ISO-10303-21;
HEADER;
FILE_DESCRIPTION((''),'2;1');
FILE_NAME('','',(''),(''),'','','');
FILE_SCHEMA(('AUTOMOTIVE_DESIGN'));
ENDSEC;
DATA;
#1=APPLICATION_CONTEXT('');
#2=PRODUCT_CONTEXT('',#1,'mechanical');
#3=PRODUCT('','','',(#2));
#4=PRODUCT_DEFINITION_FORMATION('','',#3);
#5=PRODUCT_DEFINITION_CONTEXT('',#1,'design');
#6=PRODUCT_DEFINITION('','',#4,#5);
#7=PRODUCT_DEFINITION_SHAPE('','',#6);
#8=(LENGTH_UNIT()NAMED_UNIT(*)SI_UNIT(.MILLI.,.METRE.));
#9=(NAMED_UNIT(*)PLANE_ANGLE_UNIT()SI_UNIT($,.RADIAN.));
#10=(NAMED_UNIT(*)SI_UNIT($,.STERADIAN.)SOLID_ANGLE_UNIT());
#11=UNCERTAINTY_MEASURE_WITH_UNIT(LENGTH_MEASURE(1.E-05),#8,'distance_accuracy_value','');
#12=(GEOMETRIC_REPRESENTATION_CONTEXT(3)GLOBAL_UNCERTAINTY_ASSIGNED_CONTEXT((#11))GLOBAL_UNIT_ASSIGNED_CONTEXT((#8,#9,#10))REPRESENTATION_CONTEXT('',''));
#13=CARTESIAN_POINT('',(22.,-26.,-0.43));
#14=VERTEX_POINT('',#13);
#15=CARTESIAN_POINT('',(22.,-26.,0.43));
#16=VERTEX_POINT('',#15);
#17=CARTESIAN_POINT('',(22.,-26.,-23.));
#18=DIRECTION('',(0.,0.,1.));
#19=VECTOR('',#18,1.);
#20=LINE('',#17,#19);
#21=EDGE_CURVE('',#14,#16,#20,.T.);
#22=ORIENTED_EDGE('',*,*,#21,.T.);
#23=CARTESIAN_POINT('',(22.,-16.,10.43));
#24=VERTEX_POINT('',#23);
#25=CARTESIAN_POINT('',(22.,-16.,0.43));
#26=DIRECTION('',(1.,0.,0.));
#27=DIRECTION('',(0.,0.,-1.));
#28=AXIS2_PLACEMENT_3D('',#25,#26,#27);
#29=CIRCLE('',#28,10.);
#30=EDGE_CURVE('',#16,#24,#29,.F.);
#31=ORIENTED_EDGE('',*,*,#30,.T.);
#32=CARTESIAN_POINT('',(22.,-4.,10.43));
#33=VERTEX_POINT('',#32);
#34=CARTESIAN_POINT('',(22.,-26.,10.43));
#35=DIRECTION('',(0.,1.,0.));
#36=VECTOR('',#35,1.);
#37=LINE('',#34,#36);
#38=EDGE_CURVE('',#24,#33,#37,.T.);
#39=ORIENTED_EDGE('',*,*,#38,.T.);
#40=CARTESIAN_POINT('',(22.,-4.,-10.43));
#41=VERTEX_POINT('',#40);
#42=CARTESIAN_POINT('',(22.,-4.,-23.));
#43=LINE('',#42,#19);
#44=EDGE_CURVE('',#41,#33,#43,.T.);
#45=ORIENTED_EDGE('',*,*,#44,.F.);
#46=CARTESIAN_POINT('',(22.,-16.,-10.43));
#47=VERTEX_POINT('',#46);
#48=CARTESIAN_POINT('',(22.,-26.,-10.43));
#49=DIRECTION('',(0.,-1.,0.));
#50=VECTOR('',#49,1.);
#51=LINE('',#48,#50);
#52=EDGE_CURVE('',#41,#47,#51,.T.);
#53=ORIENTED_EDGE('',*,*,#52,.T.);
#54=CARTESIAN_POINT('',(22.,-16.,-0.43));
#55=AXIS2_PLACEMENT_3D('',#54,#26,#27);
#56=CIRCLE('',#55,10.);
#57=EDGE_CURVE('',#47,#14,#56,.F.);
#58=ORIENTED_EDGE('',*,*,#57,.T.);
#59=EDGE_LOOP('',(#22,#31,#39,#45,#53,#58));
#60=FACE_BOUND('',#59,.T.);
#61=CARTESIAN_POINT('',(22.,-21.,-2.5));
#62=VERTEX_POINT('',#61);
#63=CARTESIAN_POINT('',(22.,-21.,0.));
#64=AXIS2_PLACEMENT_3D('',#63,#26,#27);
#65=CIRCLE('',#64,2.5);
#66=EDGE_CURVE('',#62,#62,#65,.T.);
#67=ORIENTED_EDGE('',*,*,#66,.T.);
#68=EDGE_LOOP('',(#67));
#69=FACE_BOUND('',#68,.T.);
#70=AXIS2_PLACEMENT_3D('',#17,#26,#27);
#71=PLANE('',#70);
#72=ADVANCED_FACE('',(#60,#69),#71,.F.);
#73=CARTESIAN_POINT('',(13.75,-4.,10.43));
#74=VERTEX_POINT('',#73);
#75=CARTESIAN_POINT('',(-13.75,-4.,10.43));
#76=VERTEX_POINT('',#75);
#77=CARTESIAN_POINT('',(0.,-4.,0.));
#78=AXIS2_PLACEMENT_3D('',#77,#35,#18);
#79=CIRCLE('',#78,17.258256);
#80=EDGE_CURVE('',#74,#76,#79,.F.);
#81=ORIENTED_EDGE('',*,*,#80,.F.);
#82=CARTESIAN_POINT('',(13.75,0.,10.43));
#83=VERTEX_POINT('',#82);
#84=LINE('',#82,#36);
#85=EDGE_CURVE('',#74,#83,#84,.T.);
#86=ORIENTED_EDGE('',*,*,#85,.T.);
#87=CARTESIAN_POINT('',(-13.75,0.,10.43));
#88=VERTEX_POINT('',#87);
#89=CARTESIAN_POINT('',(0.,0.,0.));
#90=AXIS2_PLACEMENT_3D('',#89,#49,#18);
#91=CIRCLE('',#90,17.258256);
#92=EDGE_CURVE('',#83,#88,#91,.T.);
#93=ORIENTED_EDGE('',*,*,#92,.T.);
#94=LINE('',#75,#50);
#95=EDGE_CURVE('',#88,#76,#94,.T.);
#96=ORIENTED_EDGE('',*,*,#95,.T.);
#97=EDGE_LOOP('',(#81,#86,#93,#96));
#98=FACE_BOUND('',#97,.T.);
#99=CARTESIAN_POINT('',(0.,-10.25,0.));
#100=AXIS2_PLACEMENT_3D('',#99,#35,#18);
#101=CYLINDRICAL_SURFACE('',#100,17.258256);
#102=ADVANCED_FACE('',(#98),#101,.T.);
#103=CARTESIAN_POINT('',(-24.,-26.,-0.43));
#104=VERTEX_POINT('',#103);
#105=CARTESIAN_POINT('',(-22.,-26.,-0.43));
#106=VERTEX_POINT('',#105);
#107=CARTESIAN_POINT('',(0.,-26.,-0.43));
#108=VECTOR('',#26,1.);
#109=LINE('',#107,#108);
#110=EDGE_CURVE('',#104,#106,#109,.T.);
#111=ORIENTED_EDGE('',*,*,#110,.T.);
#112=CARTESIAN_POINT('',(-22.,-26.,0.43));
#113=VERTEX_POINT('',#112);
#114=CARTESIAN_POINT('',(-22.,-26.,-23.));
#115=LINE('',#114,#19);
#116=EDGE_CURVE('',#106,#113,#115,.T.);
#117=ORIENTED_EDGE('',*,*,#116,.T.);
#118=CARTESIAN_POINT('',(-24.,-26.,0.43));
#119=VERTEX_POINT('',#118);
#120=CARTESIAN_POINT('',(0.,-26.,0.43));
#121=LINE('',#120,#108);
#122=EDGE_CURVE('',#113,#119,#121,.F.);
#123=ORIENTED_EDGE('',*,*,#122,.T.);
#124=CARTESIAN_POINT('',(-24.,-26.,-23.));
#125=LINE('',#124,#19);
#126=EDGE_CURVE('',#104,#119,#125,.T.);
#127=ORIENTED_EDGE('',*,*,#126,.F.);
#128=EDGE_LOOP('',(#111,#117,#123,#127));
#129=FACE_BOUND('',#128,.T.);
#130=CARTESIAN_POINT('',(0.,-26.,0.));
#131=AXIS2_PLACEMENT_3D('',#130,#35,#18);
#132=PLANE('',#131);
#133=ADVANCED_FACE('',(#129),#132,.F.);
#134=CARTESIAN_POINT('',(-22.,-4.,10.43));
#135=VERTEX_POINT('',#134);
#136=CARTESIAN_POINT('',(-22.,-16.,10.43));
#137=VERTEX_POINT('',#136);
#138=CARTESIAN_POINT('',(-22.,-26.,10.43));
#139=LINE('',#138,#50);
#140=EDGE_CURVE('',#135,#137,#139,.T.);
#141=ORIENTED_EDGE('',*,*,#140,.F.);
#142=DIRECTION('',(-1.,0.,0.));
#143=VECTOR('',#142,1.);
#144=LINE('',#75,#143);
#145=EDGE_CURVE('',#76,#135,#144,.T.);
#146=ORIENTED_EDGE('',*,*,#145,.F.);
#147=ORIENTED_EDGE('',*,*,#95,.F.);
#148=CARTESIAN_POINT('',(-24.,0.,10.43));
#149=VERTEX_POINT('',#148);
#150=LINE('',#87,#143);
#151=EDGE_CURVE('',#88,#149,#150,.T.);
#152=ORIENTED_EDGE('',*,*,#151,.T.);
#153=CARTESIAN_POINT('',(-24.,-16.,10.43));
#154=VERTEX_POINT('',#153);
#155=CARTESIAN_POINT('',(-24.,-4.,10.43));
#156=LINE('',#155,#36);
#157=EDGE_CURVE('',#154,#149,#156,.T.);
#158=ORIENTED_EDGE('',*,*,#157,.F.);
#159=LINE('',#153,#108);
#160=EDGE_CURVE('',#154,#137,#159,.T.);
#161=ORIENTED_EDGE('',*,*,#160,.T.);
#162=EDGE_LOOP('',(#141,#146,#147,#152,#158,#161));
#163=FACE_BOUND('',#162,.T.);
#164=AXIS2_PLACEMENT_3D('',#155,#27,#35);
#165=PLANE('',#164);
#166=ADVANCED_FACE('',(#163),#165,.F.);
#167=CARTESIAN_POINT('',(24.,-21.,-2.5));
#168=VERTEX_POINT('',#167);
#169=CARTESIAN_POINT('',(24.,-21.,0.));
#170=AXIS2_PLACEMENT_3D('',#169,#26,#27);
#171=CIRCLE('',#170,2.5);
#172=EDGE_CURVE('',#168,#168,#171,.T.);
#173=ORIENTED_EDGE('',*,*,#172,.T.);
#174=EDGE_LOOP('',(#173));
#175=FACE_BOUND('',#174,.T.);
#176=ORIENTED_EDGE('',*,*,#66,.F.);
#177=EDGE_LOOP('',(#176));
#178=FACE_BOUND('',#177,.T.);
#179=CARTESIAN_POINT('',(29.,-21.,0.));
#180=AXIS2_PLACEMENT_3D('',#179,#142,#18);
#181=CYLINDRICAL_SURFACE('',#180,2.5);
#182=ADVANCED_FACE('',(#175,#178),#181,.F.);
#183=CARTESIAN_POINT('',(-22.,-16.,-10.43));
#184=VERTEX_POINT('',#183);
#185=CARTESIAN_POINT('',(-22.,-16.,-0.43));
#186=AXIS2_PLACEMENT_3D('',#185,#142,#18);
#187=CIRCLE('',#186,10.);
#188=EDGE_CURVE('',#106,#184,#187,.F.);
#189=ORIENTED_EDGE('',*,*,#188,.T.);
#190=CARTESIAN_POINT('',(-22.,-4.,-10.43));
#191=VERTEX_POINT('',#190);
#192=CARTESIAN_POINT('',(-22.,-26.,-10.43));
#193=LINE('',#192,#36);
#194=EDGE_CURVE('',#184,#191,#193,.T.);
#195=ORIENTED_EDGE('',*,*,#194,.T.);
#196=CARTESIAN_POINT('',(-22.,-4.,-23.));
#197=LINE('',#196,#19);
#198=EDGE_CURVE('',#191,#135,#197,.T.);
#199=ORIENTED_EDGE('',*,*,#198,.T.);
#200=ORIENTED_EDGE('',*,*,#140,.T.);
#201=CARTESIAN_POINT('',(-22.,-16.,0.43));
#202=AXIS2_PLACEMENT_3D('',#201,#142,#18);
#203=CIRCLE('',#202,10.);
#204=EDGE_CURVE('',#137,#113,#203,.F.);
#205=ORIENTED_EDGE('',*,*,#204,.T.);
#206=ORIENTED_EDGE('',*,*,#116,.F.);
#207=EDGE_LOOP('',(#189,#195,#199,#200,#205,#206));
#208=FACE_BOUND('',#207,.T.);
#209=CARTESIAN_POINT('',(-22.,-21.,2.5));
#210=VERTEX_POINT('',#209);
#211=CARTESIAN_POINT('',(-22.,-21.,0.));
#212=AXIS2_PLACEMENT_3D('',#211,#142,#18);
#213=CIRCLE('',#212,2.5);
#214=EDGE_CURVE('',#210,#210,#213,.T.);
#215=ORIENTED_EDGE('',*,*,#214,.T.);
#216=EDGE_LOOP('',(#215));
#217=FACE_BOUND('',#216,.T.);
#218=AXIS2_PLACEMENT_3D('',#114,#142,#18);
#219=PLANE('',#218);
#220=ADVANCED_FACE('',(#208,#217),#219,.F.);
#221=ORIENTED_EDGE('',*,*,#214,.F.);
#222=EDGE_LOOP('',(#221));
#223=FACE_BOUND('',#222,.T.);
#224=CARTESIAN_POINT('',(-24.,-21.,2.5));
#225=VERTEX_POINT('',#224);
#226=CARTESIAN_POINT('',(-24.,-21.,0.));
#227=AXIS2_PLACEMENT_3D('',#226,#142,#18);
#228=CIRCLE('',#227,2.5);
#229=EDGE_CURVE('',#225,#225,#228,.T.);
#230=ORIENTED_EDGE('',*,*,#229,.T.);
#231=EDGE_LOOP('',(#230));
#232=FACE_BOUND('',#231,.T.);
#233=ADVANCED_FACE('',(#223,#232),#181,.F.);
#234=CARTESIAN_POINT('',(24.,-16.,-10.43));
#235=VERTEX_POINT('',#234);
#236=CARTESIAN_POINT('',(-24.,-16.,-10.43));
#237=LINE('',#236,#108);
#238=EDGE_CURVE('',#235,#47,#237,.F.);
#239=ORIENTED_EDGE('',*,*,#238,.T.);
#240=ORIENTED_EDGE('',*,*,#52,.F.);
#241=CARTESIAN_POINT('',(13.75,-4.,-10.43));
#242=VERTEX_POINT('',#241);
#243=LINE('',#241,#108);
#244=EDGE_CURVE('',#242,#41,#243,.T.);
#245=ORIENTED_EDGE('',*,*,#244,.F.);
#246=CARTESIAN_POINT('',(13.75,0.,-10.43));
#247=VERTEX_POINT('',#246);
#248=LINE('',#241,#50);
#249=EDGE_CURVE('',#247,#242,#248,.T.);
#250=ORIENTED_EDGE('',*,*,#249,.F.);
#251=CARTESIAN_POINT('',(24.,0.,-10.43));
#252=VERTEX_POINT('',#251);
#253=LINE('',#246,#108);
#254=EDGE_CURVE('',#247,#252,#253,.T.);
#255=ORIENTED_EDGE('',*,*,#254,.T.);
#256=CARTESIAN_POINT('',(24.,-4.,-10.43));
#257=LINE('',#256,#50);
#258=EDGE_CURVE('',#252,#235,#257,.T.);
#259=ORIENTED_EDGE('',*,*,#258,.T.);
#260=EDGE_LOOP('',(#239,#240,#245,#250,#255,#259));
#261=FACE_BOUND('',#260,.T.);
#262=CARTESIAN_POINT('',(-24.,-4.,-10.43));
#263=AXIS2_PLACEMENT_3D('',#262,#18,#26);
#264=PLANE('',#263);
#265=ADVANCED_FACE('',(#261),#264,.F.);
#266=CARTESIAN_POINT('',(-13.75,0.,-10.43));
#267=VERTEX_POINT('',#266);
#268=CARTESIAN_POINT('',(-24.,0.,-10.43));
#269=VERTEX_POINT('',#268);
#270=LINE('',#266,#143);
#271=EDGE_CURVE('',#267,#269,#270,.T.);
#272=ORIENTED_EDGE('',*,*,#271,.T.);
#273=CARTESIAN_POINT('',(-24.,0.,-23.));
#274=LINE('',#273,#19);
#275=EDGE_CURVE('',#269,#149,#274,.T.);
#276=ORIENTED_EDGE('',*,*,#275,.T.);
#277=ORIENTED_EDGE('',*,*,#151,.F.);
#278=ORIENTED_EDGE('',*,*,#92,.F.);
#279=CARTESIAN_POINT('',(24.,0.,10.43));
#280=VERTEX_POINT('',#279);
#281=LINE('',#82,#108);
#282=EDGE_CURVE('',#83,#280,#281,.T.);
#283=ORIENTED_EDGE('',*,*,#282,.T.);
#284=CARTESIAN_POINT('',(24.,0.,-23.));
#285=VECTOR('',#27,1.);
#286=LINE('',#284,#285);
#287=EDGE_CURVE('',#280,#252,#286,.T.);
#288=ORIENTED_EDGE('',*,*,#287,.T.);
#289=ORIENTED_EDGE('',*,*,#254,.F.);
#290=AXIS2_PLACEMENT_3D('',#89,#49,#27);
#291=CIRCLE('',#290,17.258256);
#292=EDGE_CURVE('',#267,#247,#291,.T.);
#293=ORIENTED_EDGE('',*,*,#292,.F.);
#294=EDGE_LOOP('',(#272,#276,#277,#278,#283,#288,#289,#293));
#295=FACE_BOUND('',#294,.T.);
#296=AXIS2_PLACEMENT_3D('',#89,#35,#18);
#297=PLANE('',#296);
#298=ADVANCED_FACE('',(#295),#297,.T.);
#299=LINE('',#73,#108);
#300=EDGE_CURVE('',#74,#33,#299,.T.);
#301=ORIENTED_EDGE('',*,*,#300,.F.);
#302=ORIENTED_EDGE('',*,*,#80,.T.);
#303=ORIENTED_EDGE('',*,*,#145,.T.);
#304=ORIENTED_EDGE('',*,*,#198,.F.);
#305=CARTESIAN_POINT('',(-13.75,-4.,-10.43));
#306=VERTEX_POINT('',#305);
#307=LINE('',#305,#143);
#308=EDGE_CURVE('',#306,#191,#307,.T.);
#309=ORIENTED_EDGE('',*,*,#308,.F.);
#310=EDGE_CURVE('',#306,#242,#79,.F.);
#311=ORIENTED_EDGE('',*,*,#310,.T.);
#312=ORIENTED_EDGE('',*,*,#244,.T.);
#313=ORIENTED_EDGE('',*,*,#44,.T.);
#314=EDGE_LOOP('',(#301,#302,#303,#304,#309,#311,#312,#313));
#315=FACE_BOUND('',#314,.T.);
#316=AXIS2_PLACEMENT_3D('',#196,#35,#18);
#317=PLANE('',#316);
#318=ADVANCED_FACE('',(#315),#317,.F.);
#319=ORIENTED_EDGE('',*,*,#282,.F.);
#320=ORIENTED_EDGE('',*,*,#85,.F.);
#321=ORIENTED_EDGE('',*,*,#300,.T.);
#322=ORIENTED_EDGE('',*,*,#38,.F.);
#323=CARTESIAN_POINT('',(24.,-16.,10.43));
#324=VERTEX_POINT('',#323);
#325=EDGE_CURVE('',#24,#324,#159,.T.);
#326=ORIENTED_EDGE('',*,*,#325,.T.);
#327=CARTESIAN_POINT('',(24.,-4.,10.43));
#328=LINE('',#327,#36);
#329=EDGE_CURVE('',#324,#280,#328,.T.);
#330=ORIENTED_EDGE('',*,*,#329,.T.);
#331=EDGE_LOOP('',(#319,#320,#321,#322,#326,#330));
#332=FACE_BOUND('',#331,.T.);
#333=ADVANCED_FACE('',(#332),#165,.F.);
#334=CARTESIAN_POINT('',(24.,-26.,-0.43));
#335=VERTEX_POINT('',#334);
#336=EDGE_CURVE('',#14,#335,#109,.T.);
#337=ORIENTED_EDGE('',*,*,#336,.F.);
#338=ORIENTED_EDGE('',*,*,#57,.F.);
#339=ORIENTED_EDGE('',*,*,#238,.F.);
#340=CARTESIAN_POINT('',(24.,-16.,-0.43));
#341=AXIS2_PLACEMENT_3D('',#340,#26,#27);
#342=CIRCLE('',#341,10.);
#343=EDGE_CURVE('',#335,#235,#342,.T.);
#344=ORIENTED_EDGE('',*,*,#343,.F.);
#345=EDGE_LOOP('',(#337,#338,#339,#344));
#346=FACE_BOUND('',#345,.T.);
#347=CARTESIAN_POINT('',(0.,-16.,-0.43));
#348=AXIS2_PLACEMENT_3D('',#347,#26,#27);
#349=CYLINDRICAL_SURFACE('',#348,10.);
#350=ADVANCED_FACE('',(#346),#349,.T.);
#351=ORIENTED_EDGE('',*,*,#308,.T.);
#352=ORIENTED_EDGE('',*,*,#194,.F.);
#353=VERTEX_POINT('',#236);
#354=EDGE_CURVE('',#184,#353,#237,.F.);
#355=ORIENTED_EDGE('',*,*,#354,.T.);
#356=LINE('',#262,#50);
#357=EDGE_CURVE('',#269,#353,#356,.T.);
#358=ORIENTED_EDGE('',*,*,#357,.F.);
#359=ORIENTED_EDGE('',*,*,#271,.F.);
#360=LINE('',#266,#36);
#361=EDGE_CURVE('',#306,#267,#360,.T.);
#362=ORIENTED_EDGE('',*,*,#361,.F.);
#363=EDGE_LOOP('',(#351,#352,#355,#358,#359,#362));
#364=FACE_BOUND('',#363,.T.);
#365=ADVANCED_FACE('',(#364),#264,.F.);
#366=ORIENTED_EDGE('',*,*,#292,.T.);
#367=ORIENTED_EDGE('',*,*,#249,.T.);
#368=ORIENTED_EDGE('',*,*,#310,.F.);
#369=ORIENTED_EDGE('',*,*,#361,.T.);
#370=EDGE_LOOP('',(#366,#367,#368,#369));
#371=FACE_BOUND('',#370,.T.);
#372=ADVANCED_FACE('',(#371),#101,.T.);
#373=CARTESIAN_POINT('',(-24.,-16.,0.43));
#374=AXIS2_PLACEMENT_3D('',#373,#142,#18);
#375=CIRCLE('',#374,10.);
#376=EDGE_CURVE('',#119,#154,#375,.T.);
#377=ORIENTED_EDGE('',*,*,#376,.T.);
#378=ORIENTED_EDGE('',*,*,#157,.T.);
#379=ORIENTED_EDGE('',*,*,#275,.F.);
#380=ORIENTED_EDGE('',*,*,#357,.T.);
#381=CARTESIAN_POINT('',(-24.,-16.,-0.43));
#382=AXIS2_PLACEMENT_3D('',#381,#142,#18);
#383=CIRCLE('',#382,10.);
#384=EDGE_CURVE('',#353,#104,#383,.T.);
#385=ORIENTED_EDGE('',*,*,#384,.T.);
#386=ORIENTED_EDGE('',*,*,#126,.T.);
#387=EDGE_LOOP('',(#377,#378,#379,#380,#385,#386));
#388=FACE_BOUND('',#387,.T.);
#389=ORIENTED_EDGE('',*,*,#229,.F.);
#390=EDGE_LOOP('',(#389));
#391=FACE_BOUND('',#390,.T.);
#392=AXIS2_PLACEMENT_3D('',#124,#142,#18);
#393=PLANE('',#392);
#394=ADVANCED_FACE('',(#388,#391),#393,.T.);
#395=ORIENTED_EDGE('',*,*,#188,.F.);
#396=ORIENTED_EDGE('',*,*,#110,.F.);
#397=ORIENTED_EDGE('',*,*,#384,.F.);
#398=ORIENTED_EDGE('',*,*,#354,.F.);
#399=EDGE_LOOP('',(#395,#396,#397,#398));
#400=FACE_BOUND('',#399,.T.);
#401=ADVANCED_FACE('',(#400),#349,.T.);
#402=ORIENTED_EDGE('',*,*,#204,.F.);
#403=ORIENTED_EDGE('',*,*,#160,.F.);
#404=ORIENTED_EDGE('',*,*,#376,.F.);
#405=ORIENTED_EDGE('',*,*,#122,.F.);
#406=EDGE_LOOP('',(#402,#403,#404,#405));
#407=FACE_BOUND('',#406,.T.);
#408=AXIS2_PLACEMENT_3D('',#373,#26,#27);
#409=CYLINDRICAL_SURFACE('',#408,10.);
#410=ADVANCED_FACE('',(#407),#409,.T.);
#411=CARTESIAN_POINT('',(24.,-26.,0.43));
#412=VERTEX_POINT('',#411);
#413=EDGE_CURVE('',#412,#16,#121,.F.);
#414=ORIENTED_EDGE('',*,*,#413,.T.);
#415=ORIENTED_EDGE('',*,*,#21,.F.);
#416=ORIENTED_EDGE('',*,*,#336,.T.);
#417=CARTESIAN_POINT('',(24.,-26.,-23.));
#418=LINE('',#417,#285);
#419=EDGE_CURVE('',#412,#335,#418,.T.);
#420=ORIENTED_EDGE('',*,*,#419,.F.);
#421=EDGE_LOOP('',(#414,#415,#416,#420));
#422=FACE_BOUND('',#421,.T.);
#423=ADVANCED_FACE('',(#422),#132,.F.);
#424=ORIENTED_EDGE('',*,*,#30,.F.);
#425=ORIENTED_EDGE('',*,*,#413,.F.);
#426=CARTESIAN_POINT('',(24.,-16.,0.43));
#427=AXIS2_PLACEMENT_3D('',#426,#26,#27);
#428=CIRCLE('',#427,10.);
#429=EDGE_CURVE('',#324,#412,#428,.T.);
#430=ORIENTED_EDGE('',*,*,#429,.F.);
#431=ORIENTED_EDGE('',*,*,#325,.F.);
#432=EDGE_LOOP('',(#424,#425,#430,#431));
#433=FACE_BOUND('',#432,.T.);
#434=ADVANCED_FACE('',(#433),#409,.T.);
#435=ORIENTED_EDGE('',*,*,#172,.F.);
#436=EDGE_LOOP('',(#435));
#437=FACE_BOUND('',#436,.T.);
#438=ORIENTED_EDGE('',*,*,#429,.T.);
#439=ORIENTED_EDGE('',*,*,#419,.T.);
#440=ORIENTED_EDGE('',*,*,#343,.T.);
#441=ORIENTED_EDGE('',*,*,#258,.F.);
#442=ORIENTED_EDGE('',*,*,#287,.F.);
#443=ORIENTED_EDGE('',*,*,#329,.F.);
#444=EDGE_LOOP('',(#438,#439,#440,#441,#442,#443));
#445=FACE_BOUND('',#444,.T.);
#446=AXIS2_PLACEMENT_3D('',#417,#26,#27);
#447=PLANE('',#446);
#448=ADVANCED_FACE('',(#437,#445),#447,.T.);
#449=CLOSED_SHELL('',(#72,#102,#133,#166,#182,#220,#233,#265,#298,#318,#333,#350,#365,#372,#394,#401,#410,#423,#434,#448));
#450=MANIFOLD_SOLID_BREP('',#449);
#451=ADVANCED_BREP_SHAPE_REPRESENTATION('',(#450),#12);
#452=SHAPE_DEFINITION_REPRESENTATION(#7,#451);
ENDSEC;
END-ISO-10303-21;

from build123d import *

# Parameters (mm, degrees)
CROQUIS1_W              = 48
CROQUIS1_H              = 46
SALIENTE_EXTRUIR1_DEPTH = 26
CROQUIS2_W              = 44
CROQUIS2_H              = 22
CORTAR_EXTRUIR1_DEPTH   = 46
CROQUIS3_W              = 12.57
CROQUIS3_H              = 22
CORTAR_EXTRUIR3_DEPTH   = 60.236812878
REDONDEO3_R             = 10
REDONDEO4_R             = 10
CROQUIS16_W             = 12.57
CROQUIS16_H             = 4
CORTAR_EXTRUIR19_DEPTH  = 10.25
CROQUIS21_W             = 12.57
CROQUIS21_H             = 4
CORTAR_EXTRUIR20_DEPTH  = 10.25
CORTAR_EXTRUIR21_DEPTH  = 10.25
CROQUIS23_R             = 2.5
CORTAR_EXTRUIR22_DEPTH  = 53


with BuildPart() as part:
    # Croquis1 → Saliente-Extruir1 (new body)
    with BuildSketch(Plane(origin=(0, 0, 0), x_dir=(1, 0, 0), z_dir=(0, 1, 0))):
        Rectangle(CROQUIS1_W, CROQUIS1_H)
    extrude(amount=-SALIENTE_EXTRUIR1_DEPTH)

    # Croquis2 → Cortar-Extruir1 (cut)
    with BuildSketch(Plane.XY.offset(23)):
        with Locations((0, -15)):
            Rectangle(CROQUIS2_W, CROQUIS2_H)
    extrude(amount=-CORTAR_EXTRUIR1_DEPTH, mode=Mode.SUBTRACT)

    # Croquis3 → Cortar-Extruir3 (cut, through all)
    with BuildSketch(Plane(origin=(24, 0, 0), x_dir=(0, 0, -1), z_dir=(1, 0, 0))):
        with Locations((-16.715, -15)):
            Rectangle(CROQUIS3_W, CROQUIS3_H)
        with Locations((16.715, -15)):
            Rectangle(CROQUIS3_W, CROQUIS3_H)
    extrude(amount=-CORTAR_EXTRUIR3_DEPTH, mode=Mode.SUBTRACT)

    # Redondeo3
    redondeo3_edges = [part.edges().sort_by_distance(p)[0] for p in [
        (23, -26, 10.43),
        (23, -26, -10.43),
    ]]
    fillet(redondeo3_edges, radius=REDONDEO3_R)

    # Redondeo4
    redondeo4_edges = [part.edges().sort_by_distance(p)[0] for p in [
        (-23, -26, 10.43),
        (-23, -26, -10.43),
    ]]
    fillet(redondeo4_edges, radius=REDONDEO4_R)

    # Croquis16 → Cortar-Extruir19 (cut)
    with BuildSketch(Plane.ZY.offset(24)):
        with Locations((-16.715, -2)):
            Rectangle(CROQUIS16_W, CROQUIS16_H)
        with Locations((16.715, -2)):
            Rectangle(CROQUIS16_W, CROQUIS16_H)
    extrude(amount=-CORTAR_EXTRUIR19_DEPTH, mode=Mode.SUBTRACT)

    # Croquis21 → Cortar-Extruir20 (cut)
    with BuildSketch(Plane(origin=(24, 0, 0), x_dir=(0, 0, -1), z_dir=(1, 0, 0))):
        with Locations((-16.715, -2)):
            Rectangle(CROQUIS21_W, CROQUIS21_H)
        with Locations((16.715, -2)):
            Rectangle(CROQUIS21_W, CROQUIS21_H)
    extrude(amount=-CORTAR_EXTRUIR20_DEPTH, mode=Mode.SUBTRACT)

    # Croquis22 → Cortar-Extruir21 (cut)
    with BuildSketch(Plane(origin=(0, 0, 0), x_dir=(1, 0, 0), z_dir=(0, 1, 0))):
        with BuildLine():
            Line((13.75, -10.43), (13.75, -23))
            Line((13.75, -23), (-13.75, -23))
            Line((-13.75, -23), (-13.75, -10.43))
            ThreePointArc((-13.75, -10.43), (0, -17.258255995), (13.75, -10.43))
        make_face()
        with BuildLine():
            Line((13.75, 10.43), (13.75, 23))
            Line((13.75, 23), (-13.75, 23))
            Line((-13.75, 23), (-13.75, 10.43))
            ThreePointArc((-13.75, 10.43), (0, 17.258255995), (13.75, 10.43))
        make_face()
    extrude(amount=-CORTAR_EXTRUIR21_DEPTH, mode=Mode.SUBTRACT)

    # Croquis23 → Cortar-Extruir22 (cut)
    with BuildSketch(Plane.ZY.offset(24)):
        with Locations(Location((0, -21, 0), (0, 0, 180))):
            Circle(CROQUIS23_R)
    extrude(amount=-CORTAR_EXTRUIR22_DEPTH, mode=Mode.SUBTRACT)


solid = part.part
